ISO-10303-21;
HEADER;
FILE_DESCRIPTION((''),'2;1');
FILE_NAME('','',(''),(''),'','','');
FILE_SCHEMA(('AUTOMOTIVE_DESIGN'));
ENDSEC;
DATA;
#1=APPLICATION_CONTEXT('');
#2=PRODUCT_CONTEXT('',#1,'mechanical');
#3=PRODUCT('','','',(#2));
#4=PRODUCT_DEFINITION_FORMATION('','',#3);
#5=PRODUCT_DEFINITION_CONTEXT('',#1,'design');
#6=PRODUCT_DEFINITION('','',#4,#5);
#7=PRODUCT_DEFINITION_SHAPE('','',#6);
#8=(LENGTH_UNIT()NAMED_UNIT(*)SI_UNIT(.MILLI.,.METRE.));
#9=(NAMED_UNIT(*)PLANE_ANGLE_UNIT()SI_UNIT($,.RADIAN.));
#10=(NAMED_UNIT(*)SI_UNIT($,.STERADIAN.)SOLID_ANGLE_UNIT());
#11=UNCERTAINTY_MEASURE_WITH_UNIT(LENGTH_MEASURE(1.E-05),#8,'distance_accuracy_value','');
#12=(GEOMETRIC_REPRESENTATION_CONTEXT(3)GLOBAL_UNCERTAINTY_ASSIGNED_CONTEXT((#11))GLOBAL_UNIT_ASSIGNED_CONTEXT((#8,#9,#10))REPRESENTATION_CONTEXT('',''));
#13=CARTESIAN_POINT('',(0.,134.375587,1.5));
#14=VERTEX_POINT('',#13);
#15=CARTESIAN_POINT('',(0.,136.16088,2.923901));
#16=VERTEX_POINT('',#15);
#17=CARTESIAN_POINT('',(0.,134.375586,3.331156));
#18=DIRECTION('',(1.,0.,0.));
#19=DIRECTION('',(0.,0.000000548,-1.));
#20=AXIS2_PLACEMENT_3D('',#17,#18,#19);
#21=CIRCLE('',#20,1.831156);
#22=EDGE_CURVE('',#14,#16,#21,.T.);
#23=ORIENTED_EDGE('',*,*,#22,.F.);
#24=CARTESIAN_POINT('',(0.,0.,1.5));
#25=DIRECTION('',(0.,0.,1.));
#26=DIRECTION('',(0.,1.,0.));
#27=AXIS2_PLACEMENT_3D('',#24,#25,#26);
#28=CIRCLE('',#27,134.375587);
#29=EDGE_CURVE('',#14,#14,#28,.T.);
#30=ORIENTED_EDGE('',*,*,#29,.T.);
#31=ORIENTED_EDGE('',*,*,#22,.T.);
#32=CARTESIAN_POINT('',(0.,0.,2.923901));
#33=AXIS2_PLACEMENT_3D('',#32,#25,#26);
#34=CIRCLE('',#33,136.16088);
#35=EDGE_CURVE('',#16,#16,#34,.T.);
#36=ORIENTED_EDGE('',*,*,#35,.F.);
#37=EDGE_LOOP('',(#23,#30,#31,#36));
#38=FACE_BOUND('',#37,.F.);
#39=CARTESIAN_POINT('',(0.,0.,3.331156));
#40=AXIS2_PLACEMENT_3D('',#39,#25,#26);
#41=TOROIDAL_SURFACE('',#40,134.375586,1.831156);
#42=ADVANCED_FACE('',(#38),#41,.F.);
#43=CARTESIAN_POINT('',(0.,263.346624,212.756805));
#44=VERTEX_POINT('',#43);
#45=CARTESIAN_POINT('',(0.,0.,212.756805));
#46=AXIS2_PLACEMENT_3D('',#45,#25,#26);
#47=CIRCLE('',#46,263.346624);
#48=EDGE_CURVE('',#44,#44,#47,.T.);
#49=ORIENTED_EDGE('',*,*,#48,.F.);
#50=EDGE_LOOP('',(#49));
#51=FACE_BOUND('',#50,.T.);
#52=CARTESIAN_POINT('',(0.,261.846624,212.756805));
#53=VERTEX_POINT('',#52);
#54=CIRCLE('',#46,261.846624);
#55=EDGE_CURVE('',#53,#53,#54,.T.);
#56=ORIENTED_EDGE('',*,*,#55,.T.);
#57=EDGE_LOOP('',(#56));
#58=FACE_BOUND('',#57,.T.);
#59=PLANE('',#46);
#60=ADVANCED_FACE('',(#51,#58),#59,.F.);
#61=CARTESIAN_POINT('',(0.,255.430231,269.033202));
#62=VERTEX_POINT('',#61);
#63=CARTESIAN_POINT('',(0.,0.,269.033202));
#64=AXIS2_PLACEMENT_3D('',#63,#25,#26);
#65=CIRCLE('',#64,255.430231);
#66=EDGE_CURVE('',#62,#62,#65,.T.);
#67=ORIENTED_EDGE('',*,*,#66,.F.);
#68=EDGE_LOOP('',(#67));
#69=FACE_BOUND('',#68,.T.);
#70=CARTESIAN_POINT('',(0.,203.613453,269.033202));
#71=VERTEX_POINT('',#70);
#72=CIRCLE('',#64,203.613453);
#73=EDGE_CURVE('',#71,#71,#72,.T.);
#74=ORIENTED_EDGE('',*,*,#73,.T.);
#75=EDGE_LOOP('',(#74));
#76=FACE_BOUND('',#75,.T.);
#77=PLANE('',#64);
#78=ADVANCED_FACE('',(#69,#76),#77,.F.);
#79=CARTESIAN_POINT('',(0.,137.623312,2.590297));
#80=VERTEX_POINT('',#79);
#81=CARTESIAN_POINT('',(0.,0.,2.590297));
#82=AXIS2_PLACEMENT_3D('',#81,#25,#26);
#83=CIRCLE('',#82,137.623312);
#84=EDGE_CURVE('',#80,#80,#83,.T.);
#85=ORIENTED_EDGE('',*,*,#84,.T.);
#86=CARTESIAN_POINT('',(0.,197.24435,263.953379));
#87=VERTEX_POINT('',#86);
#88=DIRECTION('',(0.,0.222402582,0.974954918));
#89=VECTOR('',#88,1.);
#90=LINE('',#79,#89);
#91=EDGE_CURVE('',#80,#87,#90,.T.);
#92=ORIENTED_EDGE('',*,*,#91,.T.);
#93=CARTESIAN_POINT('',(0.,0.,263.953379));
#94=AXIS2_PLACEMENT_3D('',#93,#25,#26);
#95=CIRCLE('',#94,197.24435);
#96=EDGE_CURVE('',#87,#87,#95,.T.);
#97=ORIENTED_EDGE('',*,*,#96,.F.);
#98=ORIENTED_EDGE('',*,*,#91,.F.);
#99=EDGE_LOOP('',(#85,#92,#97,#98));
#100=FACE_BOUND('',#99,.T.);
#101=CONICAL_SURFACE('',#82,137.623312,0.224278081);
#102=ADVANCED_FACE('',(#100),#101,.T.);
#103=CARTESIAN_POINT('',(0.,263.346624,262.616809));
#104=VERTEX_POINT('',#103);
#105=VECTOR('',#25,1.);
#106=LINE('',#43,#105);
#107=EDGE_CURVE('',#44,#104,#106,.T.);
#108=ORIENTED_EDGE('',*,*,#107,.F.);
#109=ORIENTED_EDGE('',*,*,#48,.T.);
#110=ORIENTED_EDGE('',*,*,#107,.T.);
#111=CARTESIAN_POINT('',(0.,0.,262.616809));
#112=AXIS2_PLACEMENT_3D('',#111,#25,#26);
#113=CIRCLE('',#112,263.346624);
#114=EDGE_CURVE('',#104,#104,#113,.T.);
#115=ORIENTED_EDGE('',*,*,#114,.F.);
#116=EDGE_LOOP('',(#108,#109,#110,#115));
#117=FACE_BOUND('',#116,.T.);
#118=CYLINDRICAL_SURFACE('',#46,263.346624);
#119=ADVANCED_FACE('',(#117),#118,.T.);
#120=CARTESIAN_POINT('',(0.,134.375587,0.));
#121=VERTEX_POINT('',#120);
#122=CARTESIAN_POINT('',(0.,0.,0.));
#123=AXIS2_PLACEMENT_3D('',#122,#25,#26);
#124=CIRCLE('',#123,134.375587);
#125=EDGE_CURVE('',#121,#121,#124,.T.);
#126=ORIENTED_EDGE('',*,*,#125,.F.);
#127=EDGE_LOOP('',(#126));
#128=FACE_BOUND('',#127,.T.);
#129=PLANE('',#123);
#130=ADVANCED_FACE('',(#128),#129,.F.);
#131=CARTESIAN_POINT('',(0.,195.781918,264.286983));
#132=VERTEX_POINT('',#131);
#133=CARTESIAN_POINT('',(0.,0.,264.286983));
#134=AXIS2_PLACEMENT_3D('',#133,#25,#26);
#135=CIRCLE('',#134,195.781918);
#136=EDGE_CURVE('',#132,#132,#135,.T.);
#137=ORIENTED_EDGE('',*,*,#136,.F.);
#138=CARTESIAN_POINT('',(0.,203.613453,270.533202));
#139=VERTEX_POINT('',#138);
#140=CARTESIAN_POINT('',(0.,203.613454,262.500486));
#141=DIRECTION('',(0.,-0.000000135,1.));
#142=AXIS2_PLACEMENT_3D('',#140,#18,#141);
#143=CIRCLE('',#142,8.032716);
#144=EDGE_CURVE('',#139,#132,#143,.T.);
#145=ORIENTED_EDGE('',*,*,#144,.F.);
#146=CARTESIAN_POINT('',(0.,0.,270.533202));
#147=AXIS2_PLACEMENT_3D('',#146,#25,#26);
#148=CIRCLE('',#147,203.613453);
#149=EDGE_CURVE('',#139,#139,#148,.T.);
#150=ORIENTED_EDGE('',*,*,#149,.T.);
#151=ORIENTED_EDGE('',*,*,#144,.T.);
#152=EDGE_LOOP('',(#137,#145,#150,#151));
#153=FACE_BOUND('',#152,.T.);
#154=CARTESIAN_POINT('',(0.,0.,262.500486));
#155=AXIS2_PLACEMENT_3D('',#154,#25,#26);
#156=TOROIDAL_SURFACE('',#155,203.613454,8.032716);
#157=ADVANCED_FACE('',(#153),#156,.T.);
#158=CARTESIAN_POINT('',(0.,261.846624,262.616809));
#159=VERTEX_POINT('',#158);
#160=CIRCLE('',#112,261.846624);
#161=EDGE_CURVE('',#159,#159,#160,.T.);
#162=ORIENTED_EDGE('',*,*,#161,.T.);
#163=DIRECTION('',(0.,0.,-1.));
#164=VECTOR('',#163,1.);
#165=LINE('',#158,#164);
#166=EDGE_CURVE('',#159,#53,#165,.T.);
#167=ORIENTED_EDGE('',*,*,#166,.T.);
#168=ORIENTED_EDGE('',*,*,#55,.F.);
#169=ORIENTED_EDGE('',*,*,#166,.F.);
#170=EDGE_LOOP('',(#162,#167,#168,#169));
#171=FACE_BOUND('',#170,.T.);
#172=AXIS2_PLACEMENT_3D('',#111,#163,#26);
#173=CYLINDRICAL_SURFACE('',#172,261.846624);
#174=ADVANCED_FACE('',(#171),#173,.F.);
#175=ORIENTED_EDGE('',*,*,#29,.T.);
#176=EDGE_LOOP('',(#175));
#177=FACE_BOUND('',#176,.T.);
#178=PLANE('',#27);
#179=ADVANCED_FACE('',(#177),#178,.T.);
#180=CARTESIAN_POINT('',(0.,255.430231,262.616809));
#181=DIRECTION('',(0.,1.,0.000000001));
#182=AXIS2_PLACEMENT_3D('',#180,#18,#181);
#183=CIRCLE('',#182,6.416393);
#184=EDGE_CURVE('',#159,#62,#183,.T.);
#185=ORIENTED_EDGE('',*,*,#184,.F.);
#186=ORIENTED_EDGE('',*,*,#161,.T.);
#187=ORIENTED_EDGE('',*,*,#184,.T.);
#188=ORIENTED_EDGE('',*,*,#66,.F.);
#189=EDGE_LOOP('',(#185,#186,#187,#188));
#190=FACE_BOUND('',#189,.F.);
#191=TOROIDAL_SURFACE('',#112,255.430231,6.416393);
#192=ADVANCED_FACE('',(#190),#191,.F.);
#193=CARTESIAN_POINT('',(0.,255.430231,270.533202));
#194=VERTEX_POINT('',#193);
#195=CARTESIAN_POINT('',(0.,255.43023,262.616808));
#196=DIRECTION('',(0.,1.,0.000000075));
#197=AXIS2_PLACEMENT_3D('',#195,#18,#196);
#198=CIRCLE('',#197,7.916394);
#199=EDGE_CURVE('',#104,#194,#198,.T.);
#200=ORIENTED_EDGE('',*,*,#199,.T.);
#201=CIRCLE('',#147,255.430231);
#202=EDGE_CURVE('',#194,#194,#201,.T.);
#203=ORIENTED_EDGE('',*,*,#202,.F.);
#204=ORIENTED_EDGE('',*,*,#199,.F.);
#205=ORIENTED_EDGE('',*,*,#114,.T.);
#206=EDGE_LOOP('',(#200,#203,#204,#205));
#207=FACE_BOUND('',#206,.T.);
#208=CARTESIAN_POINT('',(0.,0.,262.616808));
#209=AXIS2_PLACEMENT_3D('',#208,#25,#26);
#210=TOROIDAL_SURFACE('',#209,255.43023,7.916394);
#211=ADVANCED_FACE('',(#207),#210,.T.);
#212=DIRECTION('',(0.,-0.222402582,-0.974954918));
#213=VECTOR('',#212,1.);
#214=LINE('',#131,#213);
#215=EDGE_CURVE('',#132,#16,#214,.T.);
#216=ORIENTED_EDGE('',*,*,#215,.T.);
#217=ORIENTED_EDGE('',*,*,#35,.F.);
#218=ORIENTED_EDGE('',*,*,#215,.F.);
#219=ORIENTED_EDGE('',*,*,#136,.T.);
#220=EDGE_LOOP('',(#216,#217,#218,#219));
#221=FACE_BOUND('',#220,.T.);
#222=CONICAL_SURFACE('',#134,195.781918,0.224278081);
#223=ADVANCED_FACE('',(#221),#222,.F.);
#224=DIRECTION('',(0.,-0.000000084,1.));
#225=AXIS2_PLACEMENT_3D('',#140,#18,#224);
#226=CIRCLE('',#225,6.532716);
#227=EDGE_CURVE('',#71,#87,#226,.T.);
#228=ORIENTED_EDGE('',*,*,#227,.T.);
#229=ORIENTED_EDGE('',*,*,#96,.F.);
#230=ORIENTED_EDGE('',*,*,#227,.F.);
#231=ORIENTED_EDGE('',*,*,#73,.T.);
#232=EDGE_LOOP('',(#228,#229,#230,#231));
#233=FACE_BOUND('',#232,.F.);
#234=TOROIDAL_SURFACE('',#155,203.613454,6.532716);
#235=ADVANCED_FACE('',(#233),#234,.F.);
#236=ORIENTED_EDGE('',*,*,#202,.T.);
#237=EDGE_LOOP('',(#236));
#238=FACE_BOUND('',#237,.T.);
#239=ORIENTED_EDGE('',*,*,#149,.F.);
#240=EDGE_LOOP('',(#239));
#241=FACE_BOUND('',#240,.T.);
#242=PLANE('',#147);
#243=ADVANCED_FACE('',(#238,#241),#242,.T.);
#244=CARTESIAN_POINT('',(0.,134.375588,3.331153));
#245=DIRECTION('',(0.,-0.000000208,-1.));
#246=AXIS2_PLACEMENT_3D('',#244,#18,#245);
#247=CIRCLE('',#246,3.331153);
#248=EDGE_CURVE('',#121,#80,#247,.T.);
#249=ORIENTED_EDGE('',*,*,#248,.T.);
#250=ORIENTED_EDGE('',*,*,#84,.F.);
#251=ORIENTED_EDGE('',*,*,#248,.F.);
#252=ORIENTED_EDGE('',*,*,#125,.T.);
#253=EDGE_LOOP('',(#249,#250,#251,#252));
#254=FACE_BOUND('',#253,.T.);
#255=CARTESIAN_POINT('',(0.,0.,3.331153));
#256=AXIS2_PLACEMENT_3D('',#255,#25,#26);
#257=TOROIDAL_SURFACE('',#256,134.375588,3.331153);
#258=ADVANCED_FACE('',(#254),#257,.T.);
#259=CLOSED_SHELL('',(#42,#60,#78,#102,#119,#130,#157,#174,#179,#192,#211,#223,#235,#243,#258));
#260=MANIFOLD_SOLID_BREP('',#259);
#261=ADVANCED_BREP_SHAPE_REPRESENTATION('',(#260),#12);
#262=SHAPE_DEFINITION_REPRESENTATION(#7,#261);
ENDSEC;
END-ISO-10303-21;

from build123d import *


with BuildPart() as part:
    # Sketch → Revolution (revolve)
    with BuildSketch(Plane.YZ):
        with BuildLine():
            Line((0, 0), (134.375587, 0))
            ThreePointArc((134.375587, 0), (136.452686, 0.726879), (137.623312, 2.590297))
            Line((137.623312, 2.590297), (197.24435, 263.953379))
            ThreePointArc((203.613453, 269.033202), (199.540062, 267.607722), (197.24435, 263.953379))
            Line((203.613453, 269.033202), (255.430231, 269.033202))
            ThreePointArc((261.846624, 262.616809), (259.967306, 267.153884), (255.430231, 269.033202))
            Line((261.846624, 262.616809), (261.846624, 212.756805))
            Line((261.846624, 212.756805), (263.346624, 212.756805))
            Line((263.346624, 212.756805), (263.346624, 262.616809))
            ThreePointArc((263.346624, 262.616809), (261.027966, 268.214544), (255.430231, 270.533202))
            Line((255.430231, 270.533202), (203.613453, 270.533202))
            ThreePointArc((203.613453, 270.533202), (198.604756, 268.780412), (195.781918, 264.286983))
            Line((195.781918, 264.286983), (136.16088, 2.923901))
            ThreePointArc((134.375587, 1.5), (135.51738, 1.89957), (136.16088, 2.923901))
            Line((134.375587, 1.5), (0, 1.5))
            Line((0, 1.5), (0, 0))
        make_face()
    revolve(axis=Axis((0, 0, 0), (0, 0, 1)))


solid = part.part
